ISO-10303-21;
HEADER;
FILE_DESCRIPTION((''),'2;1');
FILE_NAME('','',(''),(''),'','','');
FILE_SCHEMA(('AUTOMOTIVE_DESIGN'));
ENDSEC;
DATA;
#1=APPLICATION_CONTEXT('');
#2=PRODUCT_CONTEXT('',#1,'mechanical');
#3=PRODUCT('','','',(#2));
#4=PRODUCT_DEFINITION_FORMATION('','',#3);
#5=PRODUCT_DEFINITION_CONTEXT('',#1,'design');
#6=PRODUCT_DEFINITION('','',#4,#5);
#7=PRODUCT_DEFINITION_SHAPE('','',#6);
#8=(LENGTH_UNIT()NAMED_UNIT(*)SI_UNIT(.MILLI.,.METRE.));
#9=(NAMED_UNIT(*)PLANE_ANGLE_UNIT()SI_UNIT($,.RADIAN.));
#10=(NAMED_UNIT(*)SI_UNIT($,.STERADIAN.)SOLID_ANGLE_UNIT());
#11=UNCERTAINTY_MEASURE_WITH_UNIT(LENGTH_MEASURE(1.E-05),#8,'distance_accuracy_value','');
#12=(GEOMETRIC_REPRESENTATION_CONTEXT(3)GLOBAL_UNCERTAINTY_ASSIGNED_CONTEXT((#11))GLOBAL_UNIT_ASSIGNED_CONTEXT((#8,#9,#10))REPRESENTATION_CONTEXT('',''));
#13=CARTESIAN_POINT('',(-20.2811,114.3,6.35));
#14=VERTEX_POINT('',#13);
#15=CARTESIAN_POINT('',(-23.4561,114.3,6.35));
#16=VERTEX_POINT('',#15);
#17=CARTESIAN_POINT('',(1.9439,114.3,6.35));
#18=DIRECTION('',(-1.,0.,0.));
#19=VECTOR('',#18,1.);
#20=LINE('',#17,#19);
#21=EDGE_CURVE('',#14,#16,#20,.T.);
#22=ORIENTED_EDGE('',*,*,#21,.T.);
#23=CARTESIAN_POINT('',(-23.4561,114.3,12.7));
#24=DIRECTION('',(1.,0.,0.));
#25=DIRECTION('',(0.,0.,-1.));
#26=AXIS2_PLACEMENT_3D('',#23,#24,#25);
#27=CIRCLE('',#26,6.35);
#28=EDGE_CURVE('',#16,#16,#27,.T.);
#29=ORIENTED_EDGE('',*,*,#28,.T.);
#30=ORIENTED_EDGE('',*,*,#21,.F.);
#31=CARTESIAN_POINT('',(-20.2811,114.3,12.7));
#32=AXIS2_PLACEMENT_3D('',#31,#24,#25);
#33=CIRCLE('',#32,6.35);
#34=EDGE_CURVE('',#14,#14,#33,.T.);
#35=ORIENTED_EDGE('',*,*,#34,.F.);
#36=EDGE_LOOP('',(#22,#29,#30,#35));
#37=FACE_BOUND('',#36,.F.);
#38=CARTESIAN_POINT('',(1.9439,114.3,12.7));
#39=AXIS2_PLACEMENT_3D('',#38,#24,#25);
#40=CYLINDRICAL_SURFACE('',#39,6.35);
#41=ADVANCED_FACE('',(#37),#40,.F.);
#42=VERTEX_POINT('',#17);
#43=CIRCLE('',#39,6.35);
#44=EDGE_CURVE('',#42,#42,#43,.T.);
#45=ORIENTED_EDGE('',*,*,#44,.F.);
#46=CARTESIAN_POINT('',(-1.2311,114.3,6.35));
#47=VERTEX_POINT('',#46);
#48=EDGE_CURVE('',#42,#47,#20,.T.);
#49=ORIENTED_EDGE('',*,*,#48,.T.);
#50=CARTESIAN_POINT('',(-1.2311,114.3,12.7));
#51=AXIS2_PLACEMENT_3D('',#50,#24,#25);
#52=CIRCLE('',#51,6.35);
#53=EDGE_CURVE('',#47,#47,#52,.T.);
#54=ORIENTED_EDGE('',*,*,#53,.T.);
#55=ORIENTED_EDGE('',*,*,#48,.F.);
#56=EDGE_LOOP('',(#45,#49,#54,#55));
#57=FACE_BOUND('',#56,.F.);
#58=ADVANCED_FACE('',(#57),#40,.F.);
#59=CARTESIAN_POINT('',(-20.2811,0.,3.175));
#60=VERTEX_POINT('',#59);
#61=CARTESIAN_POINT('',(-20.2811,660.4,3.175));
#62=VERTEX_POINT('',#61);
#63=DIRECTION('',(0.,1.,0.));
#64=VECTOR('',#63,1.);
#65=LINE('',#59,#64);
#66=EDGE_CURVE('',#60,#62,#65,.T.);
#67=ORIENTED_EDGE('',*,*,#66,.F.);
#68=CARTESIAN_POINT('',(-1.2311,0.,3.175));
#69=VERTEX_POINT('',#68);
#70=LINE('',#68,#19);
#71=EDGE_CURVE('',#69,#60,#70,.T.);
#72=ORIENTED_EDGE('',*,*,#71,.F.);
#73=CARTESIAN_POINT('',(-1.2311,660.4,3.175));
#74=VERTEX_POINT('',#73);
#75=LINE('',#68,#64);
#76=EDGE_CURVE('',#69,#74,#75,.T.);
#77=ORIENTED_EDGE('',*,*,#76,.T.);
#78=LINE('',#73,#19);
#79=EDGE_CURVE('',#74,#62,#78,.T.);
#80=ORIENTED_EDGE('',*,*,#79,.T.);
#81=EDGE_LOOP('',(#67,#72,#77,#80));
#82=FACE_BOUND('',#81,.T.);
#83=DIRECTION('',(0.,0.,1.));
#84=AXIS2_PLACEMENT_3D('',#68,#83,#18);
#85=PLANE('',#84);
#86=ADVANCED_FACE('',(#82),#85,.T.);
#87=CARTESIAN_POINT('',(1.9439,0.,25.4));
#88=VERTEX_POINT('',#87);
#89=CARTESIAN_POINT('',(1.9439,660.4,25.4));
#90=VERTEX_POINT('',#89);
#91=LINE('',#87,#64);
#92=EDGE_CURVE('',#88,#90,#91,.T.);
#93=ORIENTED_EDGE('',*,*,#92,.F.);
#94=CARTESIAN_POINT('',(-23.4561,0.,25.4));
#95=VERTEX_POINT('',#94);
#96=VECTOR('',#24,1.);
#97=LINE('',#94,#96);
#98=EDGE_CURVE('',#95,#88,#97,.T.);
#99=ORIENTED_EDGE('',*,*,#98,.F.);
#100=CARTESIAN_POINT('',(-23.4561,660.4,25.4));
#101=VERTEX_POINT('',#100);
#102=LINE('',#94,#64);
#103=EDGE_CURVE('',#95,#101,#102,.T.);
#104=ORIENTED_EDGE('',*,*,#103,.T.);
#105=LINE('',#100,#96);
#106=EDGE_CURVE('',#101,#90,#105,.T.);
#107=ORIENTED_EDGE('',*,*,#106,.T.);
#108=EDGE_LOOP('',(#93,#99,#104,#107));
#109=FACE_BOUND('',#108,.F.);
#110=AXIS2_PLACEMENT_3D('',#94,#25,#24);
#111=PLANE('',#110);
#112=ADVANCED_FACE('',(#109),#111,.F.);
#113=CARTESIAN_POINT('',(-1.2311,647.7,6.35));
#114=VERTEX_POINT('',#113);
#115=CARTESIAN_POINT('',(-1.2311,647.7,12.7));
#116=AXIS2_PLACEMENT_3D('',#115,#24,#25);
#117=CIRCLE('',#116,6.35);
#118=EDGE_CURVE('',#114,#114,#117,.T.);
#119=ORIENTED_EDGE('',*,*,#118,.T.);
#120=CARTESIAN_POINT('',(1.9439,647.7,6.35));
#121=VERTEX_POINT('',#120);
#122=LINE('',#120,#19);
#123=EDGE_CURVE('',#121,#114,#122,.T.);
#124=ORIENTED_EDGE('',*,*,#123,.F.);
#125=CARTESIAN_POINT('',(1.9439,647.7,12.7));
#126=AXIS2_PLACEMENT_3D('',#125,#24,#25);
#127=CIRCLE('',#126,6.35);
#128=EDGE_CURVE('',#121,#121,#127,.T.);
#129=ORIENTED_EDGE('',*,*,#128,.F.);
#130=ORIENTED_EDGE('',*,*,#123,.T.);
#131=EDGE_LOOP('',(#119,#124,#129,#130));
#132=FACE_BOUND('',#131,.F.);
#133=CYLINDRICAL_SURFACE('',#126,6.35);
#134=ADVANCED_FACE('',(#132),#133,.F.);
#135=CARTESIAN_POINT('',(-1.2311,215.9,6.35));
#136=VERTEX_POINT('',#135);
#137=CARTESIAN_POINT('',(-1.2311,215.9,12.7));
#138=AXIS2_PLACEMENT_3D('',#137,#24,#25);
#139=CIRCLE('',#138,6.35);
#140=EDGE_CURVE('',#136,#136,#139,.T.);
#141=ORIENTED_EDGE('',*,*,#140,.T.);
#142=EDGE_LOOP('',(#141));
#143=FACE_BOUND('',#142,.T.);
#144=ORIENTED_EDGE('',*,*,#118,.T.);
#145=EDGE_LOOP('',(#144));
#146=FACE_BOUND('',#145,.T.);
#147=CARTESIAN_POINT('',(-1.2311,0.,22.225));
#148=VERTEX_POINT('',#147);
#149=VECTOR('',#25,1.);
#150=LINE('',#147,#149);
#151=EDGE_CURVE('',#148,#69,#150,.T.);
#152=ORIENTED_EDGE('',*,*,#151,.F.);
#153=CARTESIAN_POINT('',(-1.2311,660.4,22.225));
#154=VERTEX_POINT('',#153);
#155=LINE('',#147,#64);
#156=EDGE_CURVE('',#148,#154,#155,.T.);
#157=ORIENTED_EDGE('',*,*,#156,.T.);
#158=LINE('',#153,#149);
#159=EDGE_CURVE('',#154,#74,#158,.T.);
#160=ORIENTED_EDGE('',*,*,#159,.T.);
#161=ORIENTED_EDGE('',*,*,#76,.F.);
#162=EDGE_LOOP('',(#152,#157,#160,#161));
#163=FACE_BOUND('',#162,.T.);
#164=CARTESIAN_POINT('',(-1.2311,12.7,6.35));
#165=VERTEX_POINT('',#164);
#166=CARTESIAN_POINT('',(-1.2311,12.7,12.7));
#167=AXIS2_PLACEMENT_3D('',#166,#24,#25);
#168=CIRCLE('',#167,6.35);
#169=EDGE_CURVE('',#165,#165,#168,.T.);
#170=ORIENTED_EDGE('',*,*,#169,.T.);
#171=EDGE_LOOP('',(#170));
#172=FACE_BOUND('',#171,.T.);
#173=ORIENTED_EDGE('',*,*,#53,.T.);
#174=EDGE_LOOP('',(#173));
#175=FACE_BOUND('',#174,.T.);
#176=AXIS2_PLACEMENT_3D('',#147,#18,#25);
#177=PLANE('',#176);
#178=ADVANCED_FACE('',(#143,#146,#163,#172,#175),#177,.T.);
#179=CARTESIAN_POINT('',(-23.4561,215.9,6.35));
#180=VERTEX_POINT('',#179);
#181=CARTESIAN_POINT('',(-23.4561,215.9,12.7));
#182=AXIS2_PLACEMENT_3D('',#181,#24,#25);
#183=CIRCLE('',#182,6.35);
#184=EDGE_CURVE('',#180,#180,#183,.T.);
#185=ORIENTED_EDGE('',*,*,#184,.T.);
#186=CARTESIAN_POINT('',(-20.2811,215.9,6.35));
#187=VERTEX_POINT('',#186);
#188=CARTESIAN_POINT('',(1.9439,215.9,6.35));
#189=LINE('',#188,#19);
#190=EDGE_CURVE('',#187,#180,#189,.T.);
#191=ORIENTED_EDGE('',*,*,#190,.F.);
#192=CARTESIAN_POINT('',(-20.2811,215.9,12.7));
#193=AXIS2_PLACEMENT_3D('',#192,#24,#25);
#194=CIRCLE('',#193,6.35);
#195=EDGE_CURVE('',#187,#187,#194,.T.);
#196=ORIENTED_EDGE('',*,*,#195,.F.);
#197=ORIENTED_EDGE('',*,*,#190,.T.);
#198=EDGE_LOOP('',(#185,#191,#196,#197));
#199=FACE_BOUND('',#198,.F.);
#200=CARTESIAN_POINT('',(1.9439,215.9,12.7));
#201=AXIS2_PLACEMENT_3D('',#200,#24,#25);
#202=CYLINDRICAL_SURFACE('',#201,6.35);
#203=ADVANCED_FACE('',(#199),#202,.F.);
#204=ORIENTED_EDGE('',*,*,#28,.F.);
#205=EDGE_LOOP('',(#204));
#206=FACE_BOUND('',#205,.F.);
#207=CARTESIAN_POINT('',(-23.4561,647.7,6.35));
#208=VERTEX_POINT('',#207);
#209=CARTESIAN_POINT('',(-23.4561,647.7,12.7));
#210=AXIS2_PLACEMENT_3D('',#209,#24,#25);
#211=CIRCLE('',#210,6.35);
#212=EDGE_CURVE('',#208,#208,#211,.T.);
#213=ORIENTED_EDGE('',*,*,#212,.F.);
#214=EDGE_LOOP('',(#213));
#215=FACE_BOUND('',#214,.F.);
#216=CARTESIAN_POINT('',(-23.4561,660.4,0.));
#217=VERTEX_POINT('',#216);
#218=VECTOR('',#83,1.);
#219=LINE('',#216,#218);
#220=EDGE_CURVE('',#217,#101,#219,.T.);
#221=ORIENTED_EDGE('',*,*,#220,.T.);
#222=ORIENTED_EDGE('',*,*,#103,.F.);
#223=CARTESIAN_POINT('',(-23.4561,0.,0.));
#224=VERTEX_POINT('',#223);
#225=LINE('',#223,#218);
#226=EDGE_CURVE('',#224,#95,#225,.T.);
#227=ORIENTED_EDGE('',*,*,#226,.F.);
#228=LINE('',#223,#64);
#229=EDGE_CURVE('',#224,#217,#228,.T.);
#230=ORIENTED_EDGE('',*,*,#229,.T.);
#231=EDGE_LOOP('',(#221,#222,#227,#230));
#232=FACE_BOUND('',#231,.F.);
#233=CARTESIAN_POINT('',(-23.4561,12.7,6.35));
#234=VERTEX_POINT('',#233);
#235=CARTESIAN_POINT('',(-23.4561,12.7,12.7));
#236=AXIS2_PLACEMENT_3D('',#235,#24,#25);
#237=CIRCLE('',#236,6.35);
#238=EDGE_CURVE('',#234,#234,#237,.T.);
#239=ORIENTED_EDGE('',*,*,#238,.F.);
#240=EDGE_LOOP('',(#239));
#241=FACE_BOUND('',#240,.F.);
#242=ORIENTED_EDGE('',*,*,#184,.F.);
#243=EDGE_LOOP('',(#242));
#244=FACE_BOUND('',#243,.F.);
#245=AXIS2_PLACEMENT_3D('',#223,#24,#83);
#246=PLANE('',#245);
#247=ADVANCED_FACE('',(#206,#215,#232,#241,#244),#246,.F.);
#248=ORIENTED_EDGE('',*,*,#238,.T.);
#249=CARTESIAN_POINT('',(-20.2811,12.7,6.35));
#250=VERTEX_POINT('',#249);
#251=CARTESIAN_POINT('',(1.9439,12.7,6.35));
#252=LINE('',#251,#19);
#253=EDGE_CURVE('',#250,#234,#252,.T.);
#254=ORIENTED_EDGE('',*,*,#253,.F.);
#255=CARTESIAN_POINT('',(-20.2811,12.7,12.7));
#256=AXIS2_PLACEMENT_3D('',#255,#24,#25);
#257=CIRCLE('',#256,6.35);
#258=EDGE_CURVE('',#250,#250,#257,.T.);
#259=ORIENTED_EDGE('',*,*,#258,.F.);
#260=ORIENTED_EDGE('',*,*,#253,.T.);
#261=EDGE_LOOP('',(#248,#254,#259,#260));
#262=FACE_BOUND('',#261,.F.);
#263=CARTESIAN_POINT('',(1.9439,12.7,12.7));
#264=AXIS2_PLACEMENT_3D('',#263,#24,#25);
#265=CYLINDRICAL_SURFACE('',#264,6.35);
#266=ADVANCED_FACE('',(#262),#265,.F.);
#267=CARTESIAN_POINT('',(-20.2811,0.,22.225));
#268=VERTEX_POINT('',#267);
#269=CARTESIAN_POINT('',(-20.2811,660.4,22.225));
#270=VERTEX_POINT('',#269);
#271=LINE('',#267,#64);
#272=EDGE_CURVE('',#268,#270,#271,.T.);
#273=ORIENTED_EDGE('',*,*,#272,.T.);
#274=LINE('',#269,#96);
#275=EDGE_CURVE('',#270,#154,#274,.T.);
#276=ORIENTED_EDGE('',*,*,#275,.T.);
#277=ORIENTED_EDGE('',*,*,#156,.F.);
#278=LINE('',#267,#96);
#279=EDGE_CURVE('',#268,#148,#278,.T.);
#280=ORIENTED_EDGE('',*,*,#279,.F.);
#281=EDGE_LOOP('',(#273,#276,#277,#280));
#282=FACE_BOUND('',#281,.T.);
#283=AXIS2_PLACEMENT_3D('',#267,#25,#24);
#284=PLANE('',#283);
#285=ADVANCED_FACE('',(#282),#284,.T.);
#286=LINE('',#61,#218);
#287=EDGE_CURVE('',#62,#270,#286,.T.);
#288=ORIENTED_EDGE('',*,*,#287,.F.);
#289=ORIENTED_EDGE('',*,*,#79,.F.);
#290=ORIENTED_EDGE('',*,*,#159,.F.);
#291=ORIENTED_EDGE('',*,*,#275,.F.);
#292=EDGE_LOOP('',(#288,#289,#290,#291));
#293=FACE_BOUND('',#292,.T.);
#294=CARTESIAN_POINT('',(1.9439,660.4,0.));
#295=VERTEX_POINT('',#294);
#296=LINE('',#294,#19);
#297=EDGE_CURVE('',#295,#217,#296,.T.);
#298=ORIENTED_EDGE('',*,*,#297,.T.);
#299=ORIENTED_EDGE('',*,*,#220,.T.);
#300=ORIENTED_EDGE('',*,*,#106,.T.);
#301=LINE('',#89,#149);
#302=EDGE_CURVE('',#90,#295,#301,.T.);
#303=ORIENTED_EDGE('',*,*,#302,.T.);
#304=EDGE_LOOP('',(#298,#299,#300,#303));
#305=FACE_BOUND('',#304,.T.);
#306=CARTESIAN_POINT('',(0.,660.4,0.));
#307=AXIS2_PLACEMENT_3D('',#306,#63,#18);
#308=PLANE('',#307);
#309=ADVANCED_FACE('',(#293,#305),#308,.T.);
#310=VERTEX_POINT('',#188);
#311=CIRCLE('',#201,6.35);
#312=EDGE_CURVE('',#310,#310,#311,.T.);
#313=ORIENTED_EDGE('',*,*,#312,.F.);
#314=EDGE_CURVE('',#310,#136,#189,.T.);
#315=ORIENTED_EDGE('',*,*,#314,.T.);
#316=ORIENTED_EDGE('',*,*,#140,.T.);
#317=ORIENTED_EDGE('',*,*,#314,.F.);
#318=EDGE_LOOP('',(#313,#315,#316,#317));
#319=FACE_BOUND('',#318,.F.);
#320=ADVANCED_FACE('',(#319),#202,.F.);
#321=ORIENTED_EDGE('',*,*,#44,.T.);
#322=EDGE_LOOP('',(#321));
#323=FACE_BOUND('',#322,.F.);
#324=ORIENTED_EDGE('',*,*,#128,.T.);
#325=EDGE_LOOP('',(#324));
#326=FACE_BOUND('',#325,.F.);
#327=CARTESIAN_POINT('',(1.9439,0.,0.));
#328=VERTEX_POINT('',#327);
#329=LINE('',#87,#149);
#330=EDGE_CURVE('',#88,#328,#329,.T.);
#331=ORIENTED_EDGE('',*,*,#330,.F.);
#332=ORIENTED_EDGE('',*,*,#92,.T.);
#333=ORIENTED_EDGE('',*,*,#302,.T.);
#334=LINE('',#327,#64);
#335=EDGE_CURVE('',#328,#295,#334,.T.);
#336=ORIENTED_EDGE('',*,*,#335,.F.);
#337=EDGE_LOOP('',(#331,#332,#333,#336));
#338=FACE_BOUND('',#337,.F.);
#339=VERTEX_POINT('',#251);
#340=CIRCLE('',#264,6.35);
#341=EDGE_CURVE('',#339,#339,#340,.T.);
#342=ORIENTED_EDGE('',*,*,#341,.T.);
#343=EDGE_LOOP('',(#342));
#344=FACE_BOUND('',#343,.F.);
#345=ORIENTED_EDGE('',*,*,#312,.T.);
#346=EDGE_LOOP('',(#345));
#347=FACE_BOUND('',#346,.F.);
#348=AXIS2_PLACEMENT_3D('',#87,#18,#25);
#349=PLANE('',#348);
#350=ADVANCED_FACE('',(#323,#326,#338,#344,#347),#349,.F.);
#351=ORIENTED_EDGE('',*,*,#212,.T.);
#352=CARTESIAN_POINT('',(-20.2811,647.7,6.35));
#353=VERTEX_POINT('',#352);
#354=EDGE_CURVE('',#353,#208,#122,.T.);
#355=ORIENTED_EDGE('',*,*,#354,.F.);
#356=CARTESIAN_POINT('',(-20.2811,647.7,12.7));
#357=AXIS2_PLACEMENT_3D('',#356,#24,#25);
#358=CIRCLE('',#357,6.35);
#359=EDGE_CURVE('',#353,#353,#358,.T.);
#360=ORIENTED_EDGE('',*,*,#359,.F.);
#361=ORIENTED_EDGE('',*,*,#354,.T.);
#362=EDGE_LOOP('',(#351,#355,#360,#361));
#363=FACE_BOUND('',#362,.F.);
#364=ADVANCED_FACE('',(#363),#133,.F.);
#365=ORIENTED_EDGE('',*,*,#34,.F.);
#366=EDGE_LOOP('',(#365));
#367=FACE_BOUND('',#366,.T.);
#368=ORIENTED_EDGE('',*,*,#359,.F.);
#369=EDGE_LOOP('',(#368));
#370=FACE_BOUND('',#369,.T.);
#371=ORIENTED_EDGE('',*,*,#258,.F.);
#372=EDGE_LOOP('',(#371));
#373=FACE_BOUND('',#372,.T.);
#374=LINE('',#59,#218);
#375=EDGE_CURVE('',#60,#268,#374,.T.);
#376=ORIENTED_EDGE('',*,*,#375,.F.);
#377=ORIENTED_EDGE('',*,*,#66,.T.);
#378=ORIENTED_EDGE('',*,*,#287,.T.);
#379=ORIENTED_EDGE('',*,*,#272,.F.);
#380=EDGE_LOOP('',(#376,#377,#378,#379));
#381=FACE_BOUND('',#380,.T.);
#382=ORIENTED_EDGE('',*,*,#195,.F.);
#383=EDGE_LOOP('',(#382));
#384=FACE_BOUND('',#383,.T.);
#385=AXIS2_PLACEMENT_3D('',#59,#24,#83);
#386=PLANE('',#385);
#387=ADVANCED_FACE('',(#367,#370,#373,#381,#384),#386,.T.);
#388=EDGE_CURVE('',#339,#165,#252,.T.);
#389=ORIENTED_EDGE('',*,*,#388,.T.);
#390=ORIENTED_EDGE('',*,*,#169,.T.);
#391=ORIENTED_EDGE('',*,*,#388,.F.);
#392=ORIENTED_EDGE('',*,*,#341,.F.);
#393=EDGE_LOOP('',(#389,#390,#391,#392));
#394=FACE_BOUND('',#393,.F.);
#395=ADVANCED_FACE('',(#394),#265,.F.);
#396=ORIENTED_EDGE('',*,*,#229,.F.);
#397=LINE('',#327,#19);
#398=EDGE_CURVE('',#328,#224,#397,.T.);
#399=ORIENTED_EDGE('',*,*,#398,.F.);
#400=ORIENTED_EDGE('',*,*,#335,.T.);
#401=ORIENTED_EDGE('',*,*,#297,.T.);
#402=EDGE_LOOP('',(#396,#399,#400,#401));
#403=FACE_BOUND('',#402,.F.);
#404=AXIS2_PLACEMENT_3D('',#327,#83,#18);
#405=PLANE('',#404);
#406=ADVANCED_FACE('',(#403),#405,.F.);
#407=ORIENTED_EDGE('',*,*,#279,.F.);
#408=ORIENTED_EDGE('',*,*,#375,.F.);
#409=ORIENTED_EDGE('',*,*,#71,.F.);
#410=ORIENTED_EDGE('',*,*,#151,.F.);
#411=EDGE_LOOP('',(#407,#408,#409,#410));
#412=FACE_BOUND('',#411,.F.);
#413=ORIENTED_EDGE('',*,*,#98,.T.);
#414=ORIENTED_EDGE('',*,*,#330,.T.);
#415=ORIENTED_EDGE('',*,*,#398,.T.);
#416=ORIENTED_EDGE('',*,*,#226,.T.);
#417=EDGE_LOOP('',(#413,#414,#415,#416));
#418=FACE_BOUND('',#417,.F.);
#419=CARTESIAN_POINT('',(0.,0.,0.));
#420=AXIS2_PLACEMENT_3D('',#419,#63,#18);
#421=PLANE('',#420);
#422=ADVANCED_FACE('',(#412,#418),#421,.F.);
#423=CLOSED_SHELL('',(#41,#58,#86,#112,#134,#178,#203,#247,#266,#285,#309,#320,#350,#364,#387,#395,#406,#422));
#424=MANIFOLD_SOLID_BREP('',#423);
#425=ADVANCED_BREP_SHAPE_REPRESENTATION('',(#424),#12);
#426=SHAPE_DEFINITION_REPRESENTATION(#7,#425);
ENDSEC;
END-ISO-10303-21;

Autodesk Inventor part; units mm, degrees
ref_plane "YZ Plane" through (0, 0, 0) normal (1, 0, 0) x (0, 1, 0)
ref_plane "XZ Plane" through (0, 0, 0) normal (0, 1, 0) x (-1, 0, 0)
ref_plane "XY Plane" through (0, 0, 0) normal (0, 0, 1) x (1, 0, 0)
sketch "Sketch1" plane through (0, 0, 0) normal (0, 1, 0) x (-1, 0, 0)
  line L0 (-1.9439, 0) -> (23.4561, 0)
  line L1 (23.4561, 0) -> (23.4561, 25.4)
  line L2 (23.4561, 25.4) -> (-1.9439, 25.4)
  line L3 (-1.9439, 25.4) -> (-1.9439, 0)
  line L4 (20.2811, 22.225) -> (1.2311, 22.225)
  line L5 (1.2311, 22.225) -> (1.2311, 3.175)
  line L6 (1.2311, 3.175) -> (20.2811, 3.175)
  line L7 (20.2811, 3.175) -> (20.2811, 22.225)
  point P0 (0, 0)
  dimension "d0" = 25.4
  dimension "d1" = 25.4
  dimension "d2" = 3.175
  dimension "d4" = 3.175
  dimension "d5" = 3.175
  dimension "d6" = 3.175
extrude "Extrusion1" add sketch "Sketch1" along normal blind 660.4
sketch "Sketch2" plane through (1.9439, 0, 25.4) normal (1, 0, 0) x (0, 0, -1)
  circle A0 centre (12.7, 12.7) radius 6.35
  line L0 (25.4, 0) -> (25.4, 660.4) projected
  line L1 (0, 0) -> (25.4, 0) projected
  circle A1 centre (12.7, 647.7) radius 6.35
  line L2 (0, 660.4) -> (25.4, 660.4) projected
  dimension "d9" = 12.7
  dimension "d10" = 12.7
  dimension "d11" = 12.7
  dimension "d12" = 12.7
  dimension "d13" = 12.7
  dimension "d14" = 12.7
extrude "Extrusion2" cut sketch "Sketch2" against normal blind 660.4
sketch "Sketch3" plane through (1.9439, 0, 25.4) normal (1, 0, 0) x (0, 0, -1)
  circle A0 centre (12.7, 647.7) radius 6.35 projected
  circle A1 centre (12.7, 647.7) radius 6.35
  circle A2 centre (12.7, 12.7) radius 6.35
  circle A3 centre (12.7, 114.3) radius 6.35
  line L0 (0, 0) -> (25.4, 0) projected
  line L1 (25.4, 0) -> (25.4, 660.4) projected
  dimension "d17" = 12.7
  dimension "d18" = 12.7
  dimension "d19" = 12.7
  dimension "d20" = 12.7
  dimension "d21" = 101.6
  dimension "d22" = 12.7
extrude "Extrusion3" cut sketch "Sketch3" against normal blind 660.4 contours A3
sketch "Sketch4" plane through (-23.4561, 0, 25.4) normal (0, 0, 1) x (1, 0, 0)
  point P0 (23.4561, 0)
sketch "Sketch5" plane through (1.9439, 0, 25.4) normal (1, 0, 0) x (0, 0, -1)
  circle A0 centre (12.7, 215.9) radius 6.35
  circle A1 centre (12.7, 114.3) radius 6.35 projected
  circle A2 centre (12.7, 114.3) radius 6.35
  line L0 (25.4, 0) -> (25.4, 660.4) projected
  dimension "d25" = 12.7
  dimension "d26" = 101.6
  dimension "d27" = 12.7
extrude "Extrusion4" cut sketch "Sketch5" against normal blind 660.4 contours A0
properties part number "26 inch 8th inch thick tube"
